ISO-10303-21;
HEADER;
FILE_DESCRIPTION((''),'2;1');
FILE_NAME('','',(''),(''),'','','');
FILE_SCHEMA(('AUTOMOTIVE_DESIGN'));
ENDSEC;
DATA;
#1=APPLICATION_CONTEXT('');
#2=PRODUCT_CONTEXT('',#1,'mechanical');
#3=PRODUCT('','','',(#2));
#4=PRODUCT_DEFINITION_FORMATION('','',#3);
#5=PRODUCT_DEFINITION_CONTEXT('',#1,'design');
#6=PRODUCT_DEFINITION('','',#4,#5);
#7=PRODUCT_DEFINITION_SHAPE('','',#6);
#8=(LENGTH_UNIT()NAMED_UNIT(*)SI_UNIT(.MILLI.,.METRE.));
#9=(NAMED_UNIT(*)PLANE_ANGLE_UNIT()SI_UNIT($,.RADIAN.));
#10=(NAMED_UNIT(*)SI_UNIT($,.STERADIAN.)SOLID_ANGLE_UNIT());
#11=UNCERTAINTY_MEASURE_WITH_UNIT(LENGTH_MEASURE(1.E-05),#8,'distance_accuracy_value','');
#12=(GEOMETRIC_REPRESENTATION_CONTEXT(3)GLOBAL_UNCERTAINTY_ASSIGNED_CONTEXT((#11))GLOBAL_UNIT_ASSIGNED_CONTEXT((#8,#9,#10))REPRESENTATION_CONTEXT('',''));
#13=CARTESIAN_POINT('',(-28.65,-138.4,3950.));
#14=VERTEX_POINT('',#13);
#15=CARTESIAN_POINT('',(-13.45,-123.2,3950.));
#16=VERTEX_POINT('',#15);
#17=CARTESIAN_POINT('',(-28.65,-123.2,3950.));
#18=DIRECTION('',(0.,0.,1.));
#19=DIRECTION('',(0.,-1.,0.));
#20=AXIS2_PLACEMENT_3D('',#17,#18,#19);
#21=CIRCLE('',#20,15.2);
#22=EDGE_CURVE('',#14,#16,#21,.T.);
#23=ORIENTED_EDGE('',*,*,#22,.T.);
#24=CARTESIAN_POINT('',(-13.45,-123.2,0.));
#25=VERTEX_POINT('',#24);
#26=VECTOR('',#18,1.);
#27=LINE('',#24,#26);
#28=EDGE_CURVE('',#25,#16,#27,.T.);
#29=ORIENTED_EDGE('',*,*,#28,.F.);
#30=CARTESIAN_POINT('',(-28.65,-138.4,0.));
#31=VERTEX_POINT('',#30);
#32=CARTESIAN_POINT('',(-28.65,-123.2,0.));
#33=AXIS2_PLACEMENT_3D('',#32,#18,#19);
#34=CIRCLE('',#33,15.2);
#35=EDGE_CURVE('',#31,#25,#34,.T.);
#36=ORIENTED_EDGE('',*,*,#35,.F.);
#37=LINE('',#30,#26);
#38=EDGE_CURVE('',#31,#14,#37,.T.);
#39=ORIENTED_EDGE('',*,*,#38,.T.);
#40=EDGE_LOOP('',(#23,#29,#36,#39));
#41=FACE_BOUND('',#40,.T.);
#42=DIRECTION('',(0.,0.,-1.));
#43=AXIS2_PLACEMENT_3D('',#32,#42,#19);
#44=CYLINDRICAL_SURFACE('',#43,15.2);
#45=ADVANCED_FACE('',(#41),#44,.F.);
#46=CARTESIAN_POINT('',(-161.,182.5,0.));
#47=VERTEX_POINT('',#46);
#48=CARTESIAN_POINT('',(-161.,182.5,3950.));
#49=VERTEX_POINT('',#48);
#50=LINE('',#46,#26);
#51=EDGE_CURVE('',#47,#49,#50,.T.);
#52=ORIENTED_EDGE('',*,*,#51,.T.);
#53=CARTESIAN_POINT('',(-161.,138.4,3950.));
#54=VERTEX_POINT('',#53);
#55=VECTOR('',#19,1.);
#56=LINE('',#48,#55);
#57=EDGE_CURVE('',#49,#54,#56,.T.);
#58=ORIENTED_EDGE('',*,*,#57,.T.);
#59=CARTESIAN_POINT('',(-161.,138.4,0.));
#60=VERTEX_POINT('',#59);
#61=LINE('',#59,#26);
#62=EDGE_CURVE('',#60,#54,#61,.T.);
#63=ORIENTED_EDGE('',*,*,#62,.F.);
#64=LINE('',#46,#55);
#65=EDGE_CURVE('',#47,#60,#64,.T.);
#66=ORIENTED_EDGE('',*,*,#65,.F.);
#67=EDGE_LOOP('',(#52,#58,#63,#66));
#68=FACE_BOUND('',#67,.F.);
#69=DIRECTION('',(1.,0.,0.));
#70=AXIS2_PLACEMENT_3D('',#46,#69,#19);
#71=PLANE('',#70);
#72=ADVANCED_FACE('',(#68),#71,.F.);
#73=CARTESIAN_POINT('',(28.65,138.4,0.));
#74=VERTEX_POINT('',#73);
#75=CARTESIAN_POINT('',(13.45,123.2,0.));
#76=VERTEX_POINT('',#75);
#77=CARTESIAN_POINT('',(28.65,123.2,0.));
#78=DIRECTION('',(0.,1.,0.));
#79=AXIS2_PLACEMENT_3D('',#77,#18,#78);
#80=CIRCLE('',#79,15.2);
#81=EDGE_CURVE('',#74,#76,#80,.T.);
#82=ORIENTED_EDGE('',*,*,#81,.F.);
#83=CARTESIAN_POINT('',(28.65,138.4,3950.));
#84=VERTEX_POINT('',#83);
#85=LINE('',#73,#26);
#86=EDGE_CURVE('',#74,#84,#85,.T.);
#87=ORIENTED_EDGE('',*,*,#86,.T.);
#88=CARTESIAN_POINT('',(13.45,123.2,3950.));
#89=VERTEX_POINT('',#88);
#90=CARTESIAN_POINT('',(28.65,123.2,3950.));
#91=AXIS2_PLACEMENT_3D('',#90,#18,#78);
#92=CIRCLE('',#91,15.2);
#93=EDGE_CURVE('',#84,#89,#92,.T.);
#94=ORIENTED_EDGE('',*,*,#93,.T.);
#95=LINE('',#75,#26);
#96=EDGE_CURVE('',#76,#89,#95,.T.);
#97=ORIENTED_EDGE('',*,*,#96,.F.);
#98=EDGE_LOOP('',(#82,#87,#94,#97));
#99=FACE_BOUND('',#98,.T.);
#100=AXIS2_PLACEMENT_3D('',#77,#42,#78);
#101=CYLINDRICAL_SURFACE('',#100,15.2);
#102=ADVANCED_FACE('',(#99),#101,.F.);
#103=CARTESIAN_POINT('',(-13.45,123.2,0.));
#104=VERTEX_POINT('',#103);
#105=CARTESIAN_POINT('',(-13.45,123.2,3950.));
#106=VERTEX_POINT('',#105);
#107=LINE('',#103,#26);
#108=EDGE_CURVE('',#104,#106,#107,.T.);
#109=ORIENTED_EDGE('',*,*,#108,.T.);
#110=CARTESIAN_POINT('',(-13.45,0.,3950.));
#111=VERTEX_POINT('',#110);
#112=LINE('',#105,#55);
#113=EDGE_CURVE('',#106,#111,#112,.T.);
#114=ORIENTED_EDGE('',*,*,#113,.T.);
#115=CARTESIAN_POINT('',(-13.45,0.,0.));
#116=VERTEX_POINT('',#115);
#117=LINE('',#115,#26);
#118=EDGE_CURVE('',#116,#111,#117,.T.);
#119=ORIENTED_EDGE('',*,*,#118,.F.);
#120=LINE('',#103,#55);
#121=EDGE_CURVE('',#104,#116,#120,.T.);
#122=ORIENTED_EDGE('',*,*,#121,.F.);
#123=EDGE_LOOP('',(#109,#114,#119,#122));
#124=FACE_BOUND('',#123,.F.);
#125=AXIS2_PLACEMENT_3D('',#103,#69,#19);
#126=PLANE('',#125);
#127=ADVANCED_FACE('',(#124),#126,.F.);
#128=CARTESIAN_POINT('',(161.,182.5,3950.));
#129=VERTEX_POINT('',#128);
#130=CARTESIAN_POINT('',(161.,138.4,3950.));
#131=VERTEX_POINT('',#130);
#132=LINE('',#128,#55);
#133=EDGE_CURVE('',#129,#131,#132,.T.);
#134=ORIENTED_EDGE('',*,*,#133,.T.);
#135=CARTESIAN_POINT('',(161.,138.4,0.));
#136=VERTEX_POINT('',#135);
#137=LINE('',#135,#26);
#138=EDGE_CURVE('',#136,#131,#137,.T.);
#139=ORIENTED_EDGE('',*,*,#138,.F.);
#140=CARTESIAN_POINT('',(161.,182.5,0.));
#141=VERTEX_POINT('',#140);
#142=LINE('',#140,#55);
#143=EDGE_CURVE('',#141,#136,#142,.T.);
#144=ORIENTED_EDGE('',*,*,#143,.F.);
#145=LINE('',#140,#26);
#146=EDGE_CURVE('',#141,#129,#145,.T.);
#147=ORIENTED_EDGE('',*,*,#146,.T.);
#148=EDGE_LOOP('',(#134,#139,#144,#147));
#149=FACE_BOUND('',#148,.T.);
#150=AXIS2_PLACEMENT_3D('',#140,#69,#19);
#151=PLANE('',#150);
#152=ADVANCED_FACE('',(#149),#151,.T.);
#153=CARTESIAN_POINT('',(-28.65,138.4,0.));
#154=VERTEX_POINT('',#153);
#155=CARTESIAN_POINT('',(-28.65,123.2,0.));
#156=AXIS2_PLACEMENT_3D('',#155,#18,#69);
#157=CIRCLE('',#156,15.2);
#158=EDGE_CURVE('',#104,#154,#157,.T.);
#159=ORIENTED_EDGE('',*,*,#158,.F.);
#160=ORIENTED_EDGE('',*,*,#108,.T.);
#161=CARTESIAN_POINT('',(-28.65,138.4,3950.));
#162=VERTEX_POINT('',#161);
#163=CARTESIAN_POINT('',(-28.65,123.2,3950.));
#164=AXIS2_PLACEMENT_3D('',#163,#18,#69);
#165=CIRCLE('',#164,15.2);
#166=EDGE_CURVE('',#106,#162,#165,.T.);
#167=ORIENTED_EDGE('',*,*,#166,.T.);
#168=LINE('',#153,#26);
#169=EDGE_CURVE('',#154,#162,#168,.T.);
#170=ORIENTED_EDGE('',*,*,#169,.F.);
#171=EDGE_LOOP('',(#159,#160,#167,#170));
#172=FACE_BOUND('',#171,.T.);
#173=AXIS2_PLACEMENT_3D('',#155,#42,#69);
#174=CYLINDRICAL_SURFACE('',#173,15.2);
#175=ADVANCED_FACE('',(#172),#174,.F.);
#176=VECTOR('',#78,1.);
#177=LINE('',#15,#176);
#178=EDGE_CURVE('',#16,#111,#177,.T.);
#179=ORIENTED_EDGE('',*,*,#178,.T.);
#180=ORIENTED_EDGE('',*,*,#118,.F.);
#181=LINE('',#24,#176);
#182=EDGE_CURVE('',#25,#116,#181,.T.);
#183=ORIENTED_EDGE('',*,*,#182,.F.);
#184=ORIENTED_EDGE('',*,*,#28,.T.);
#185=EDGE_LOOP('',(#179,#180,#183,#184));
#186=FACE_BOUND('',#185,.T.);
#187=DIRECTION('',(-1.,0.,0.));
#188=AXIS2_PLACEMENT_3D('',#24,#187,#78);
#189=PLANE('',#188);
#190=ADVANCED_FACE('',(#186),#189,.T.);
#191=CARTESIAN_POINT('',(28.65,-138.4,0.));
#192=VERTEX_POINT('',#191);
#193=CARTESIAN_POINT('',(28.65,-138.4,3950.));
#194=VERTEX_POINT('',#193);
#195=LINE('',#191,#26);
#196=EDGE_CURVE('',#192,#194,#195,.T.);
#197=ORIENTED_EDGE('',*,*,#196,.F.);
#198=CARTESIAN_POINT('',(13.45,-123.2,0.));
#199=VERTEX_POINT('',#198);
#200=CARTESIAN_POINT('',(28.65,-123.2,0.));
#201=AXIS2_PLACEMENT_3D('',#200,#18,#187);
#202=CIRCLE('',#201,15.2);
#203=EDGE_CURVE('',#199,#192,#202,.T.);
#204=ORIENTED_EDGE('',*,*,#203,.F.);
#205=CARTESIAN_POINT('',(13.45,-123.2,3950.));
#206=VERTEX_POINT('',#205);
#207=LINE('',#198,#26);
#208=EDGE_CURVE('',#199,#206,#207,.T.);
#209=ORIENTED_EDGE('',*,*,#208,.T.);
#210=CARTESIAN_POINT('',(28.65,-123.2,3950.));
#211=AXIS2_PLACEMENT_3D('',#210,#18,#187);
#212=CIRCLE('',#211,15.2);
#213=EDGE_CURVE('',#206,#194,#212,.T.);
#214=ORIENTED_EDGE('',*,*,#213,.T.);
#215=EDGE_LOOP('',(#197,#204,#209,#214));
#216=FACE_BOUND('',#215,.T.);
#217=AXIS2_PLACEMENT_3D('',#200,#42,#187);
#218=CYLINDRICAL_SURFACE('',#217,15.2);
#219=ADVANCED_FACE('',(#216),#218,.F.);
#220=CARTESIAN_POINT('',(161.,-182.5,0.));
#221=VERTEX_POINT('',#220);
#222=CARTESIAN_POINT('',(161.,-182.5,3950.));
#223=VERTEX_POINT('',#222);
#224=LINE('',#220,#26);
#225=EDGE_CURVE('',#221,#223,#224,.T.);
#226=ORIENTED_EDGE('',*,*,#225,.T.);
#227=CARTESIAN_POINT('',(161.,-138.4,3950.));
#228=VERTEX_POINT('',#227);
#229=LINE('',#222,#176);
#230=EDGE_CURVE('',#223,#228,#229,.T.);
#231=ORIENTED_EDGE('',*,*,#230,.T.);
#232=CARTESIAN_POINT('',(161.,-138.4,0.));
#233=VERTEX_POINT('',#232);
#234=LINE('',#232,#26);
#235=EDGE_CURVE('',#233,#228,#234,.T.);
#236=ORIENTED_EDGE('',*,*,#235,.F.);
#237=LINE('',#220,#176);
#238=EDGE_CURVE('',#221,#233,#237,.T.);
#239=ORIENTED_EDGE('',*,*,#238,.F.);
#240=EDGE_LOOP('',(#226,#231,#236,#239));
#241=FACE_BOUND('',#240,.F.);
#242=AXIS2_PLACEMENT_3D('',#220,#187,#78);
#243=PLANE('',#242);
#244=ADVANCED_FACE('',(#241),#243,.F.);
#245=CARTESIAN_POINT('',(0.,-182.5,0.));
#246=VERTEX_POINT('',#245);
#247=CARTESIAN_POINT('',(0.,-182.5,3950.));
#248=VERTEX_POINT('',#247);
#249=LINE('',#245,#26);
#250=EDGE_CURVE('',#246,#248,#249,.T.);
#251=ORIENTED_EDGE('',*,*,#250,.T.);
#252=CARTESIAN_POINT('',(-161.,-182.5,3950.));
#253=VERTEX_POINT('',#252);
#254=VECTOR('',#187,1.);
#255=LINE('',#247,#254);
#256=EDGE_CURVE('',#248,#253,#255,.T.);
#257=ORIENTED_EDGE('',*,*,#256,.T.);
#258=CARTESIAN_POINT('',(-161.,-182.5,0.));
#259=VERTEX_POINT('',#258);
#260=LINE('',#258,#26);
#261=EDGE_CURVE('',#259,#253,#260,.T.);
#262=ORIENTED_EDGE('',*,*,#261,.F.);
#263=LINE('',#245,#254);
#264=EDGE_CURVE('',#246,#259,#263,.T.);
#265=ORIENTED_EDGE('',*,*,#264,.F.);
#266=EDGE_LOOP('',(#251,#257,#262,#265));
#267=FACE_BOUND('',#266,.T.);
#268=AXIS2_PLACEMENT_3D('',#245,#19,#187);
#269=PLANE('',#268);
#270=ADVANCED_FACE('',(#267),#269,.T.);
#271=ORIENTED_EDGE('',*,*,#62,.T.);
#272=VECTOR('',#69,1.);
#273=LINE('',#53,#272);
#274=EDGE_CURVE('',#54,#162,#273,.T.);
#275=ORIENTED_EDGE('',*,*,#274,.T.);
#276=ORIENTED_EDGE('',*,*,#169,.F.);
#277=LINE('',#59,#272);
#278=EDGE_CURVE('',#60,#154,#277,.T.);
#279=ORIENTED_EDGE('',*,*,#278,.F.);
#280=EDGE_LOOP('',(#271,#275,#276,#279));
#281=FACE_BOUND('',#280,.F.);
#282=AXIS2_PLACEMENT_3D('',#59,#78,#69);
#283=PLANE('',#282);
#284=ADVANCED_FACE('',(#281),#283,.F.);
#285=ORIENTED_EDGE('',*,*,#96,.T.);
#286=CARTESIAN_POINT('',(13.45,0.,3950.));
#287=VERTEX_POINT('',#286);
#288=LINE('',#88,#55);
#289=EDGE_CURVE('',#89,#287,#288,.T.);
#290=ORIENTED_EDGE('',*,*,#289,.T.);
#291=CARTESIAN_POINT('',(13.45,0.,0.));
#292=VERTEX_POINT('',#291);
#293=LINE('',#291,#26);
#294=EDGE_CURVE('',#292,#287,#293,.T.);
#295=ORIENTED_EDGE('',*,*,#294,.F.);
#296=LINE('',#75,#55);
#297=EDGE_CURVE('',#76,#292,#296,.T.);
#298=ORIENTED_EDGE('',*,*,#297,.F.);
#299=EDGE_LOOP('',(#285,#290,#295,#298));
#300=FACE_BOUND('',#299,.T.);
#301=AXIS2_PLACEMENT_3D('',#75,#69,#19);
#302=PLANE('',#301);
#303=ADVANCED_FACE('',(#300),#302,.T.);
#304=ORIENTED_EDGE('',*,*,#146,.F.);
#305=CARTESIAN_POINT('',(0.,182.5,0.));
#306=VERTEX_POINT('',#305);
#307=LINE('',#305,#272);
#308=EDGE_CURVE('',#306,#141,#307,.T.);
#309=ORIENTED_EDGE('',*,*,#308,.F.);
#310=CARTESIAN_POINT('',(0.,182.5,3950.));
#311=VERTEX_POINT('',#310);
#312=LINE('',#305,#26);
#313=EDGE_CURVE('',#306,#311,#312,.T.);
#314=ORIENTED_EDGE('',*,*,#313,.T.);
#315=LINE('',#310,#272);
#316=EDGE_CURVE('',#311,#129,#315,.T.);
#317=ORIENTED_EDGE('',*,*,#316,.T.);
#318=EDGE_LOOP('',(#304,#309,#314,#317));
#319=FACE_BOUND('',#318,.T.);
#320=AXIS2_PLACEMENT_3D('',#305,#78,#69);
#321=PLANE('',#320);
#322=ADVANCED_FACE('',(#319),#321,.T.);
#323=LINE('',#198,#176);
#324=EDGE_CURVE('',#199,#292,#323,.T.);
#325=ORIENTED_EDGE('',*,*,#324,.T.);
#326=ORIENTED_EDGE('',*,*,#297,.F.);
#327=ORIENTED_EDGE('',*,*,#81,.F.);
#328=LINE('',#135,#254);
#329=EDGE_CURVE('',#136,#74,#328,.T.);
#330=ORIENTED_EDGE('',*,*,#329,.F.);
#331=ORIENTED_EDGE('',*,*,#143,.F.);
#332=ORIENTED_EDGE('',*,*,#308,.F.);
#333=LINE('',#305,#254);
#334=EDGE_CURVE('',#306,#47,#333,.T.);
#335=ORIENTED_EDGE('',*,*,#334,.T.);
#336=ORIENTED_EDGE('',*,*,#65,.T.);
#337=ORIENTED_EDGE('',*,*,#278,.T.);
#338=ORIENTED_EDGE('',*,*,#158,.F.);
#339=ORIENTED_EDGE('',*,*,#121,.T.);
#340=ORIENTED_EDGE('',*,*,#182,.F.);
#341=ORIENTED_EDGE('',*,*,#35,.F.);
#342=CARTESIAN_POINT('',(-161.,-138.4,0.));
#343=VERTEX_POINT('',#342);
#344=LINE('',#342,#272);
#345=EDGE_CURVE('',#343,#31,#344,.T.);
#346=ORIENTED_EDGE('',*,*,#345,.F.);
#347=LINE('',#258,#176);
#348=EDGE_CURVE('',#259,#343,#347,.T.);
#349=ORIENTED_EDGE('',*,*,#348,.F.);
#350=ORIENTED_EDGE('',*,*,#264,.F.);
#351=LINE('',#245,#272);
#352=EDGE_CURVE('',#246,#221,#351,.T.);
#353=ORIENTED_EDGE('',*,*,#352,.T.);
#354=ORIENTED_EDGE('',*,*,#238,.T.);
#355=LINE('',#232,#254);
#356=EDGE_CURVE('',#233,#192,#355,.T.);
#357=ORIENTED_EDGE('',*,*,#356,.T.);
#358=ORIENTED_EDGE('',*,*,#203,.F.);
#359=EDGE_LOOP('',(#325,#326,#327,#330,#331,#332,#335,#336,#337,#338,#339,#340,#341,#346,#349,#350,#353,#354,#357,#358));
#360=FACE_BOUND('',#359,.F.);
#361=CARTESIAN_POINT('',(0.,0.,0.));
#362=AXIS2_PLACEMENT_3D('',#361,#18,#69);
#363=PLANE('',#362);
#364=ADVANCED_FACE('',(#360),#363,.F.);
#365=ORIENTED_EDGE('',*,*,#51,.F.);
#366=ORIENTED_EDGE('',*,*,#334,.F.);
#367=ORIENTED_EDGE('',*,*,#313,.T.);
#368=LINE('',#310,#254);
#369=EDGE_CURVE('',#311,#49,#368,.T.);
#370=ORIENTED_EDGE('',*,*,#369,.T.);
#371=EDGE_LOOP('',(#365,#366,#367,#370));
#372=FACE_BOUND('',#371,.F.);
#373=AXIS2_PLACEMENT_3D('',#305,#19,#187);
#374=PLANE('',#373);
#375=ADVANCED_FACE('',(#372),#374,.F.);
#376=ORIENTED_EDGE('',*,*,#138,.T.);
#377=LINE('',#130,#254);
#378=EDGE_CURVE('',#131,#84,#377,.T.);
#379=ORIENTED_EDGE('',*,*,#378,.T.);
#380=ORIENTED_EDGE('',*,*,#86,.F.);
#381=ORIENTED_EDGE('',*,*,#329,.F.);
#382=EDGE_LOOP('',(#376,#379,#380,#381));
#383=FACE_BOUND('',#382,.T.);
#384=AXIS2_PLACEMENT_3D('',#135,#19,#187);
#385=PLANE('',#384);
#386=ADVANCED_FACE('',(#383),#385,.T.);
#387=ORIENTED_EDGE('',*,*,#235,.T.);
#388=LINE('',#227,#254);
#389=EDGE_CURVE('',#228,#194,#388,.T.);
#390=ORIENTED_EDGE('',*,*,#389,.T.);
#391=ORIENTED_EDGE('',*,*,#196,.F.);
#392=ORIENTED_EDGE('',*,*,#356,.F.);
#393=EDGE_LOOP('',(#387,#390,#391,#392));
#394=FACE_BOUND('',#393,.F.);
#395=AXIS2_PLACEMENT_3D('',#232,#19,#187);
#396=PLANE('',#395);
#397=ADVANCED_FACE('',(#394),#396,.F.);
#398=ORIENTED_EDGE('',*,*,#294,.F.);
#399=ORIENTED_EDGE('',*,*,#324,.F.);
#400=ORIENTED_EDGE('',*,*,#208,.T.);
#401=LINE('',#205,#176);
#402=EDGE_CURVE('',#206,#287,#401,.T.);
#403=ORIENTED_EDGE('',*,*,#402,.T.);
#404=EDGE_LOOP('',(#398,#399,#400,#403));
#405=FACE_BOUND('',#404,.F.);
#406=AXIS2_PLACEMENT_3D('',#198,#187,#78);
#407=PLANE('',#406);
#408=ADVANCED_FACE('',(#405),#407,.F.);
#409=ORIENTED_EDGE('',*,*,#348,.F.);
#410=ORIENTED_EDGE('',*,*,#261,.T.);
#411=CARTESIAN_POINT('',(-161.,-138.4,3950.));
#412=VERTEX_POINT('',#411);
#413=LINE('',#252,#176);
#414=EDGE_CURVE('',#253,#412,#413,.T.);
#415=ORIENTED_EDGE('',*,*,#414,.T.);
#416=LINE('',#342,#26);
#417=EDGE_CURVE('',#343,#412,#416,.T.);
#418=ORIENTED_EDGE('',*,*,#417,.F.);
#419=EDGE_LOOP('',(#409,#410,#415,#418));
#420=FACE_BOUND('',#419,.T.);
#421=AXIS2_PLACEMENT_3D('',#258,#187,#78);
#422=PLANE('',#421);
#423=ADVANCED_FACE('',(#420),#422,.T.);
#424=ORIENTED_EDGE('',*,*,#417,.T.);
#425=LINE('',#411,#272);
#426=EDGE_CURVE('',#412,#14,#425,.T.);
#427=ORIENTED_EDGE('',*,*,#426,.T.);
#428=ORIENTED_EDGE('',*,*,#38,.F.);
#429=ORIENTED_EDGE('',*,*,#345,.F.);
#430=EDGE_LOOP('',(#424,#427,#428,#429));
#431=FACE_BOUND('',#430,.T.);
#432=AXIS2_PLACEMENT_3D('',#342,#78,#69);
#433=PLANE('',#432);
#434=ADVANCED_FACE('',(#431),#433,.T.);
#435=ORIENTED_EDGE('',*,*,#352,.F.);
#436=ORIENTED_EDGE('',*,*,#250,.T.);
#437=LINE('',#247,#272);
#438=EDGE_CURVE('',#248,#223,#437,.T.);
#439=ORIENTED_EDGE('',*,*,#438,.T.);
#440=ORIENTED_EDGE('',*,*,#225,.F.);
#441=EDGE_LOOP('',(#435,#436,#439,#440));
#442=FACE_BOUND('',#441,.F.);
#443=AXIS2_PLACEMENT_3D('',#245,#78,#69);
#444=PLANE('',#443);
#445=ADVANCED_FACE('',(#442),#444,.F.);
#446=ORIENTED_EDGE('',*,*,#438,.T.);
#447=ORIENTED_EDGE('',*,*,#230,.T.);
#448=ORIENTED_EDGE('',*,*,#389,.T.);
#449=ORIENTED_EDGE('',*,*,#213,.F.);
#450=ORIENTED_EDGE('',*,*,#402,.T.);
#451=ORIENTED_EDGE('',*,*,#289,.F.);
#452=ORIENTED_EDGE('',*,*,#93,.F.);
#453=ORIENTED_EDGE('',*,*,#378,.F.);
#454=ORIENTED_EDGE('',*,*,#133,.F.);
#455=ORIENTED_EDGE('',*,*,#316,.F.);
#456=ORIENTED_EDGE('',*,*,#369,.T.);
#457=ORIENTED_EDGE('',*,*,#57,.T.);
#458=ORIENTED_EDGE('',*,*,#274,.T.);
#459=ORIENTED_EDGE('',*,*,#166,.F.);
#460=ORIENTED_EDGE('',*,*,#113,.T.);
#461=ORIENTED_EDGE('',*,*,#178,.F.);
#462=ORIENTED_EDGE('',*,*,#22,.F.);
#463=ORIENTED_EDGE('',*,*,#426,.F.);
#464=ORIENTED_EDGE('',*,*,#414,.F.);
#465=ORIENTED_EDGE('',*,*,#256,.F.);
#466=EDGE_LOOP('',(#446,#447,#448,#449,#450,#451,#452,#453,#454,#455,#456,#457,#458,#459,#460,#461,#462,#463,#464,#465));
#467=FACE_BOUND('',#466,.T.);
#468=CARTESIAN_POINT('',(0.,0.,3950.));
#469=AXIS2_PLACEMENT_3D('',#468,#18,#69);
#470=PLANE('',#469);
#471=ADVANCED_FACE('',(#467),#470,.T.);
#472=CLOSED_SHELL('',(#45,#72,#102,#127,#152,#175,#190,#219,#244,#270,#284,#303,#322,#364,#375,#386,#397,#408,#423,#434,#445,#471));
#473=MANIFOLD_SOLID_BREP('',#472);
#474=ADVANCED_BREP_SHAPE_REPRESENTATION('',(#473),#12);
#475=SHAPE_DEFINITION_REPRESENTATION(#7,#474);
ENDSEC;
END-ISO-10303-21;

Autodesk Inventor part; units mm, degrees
ref_plane "YZ Plane" through (0, 0, 0) normal (1, 0, 0) x (0, 1, 0)
ref_plane "Start plane" through (0, 0, 0) normal (0, 0, 1) x (1, 0, 0)
ref_plane "End plane" through (0, 0, 3950) normal (0, 0, 1) x (1, 0, 0)
sketch "Sketch" plane through (0, 0, 0) normal (0, 0, 1) x (1, 0, 0)
  line L0 (-161, -182.5) -> (-161, -138.4)
  line L1 (-161, -138.4) -> (-28.65, -138.4)
  line L2 (-13.45, -123.2) -> (-13.45, 0)
  line L3 (-13.45, 0) -> (0, 0) construction
  line L4 (0, 0) -> (0, -182.5) construction
  line L5 (0, -182.5) -> (-161, -182.5)
  line L6 (-60, 0) -> (80, 0) construction
  line L7 (0, -60) -> (0, 80) construction
  line L8 (161, -182.5) -> (161, -138.4)
  line L9 (161, -138.4) -> (28.65, -138.4)
  line L10 (13.45, -123.2) -> (13.45, 0)
  line L11 (13.45, 0) -> (0, 0) construction
  line L12 (0, -182.5) -> (161, -182.5)
  line L13 (-161, 182.5) -> (-161, 138.4)
  line L14 (-161, 138.4) -> (-28.65, 138.4)
  line L15 (-13.45, 123.2) -> (-13.45, 0)
  line L16 (0, 182.5) -> (-161, 182.5)
  line L17 (161, 182.5) -> (161, 138.4)
  line L18 (161, 138.4) -> (28.65, 138.4)
  line L19 (0, 182.5) -> (161, 182.5)
  line L20 (13.45, 123.2) -> (13.45, 0)
  arc A0 (-13.45, 123.2) -> (-28.65, 138.4) centre (-28.65, 123.2) ccw
  arc A1 (28.65, 138.4) -> (13.45, 123.2) centre (28.65, 123.2) ccw
  arc A2 (13.45, -123.2) -> (28.65, -138.4) centre (28.65, -123.2) ccw
  arc A3 (-28.65, -138.4) -> (-13.45, -123.2) centre (-28.65, -123.2) ccw
  line L21 (0, 108) -> (0, -88) construction
  line L22 (-88, 0) -> (108, 0) construction
  point P0 (-13.45, -138.4)
  point P1 (13.45, -138.4)
  point P2 (-13.45, 138.4)
  point P3 (13.45, 138.4)
  dimension "d1" = 182.5
  dimension "d2" = 44.1
  dimension "d3" = 161
  dimension "d4" = 13.45
  dimension "d10" = 15.2
extrude "Body" add sketch "Sketch" along normal up to surface (3950 mm away) from surface at 0
sketch "Sketch4" plane through (0, 0, 0) normal (0, 0, 1) x (1, 0, 0)
  line L0 (0, 0) -> (10, 0)
ref_plane "Work Plane3" through (0, 0, 0) normal (0, -1, 0) x (1, 0, 0)
sketch "Sketch5" plane through (0, 0, 0) normal (0, -1, 0) x (1, 0, 0)
  line L0 (-2, 0) -> (12, 0) projected
  line L1 (-2, 3950) -> (12, 3950) projected
  dimension "d14" = 3950
equation "\"d1\" = 0.5 * G_H"
equation "\"d2\" = G_T1"
equation "\"d3\" = 0.5 * G_W"
equation "\"d4\" = 0.5 * G_T"
equation "\"d10\" = G_IR"
equation "\"d5\" = G_L"
equation "\"G_W\" = 322"
equation "\"G_H\" = 365"
equation "\"G_T\" = 26.9"
equation "\"G_T1\" = 44.1"
equation "\"G_IR\" = 15.2"
equation "\"G_L\" = d14"
equation "\"G_OFFSET_START\" = 0"
equation "\"G_OFFSET_END\" = 0"
properties part number "AS 3679 - 310 UC - 283 - 3950" material "Steel, Mild"
